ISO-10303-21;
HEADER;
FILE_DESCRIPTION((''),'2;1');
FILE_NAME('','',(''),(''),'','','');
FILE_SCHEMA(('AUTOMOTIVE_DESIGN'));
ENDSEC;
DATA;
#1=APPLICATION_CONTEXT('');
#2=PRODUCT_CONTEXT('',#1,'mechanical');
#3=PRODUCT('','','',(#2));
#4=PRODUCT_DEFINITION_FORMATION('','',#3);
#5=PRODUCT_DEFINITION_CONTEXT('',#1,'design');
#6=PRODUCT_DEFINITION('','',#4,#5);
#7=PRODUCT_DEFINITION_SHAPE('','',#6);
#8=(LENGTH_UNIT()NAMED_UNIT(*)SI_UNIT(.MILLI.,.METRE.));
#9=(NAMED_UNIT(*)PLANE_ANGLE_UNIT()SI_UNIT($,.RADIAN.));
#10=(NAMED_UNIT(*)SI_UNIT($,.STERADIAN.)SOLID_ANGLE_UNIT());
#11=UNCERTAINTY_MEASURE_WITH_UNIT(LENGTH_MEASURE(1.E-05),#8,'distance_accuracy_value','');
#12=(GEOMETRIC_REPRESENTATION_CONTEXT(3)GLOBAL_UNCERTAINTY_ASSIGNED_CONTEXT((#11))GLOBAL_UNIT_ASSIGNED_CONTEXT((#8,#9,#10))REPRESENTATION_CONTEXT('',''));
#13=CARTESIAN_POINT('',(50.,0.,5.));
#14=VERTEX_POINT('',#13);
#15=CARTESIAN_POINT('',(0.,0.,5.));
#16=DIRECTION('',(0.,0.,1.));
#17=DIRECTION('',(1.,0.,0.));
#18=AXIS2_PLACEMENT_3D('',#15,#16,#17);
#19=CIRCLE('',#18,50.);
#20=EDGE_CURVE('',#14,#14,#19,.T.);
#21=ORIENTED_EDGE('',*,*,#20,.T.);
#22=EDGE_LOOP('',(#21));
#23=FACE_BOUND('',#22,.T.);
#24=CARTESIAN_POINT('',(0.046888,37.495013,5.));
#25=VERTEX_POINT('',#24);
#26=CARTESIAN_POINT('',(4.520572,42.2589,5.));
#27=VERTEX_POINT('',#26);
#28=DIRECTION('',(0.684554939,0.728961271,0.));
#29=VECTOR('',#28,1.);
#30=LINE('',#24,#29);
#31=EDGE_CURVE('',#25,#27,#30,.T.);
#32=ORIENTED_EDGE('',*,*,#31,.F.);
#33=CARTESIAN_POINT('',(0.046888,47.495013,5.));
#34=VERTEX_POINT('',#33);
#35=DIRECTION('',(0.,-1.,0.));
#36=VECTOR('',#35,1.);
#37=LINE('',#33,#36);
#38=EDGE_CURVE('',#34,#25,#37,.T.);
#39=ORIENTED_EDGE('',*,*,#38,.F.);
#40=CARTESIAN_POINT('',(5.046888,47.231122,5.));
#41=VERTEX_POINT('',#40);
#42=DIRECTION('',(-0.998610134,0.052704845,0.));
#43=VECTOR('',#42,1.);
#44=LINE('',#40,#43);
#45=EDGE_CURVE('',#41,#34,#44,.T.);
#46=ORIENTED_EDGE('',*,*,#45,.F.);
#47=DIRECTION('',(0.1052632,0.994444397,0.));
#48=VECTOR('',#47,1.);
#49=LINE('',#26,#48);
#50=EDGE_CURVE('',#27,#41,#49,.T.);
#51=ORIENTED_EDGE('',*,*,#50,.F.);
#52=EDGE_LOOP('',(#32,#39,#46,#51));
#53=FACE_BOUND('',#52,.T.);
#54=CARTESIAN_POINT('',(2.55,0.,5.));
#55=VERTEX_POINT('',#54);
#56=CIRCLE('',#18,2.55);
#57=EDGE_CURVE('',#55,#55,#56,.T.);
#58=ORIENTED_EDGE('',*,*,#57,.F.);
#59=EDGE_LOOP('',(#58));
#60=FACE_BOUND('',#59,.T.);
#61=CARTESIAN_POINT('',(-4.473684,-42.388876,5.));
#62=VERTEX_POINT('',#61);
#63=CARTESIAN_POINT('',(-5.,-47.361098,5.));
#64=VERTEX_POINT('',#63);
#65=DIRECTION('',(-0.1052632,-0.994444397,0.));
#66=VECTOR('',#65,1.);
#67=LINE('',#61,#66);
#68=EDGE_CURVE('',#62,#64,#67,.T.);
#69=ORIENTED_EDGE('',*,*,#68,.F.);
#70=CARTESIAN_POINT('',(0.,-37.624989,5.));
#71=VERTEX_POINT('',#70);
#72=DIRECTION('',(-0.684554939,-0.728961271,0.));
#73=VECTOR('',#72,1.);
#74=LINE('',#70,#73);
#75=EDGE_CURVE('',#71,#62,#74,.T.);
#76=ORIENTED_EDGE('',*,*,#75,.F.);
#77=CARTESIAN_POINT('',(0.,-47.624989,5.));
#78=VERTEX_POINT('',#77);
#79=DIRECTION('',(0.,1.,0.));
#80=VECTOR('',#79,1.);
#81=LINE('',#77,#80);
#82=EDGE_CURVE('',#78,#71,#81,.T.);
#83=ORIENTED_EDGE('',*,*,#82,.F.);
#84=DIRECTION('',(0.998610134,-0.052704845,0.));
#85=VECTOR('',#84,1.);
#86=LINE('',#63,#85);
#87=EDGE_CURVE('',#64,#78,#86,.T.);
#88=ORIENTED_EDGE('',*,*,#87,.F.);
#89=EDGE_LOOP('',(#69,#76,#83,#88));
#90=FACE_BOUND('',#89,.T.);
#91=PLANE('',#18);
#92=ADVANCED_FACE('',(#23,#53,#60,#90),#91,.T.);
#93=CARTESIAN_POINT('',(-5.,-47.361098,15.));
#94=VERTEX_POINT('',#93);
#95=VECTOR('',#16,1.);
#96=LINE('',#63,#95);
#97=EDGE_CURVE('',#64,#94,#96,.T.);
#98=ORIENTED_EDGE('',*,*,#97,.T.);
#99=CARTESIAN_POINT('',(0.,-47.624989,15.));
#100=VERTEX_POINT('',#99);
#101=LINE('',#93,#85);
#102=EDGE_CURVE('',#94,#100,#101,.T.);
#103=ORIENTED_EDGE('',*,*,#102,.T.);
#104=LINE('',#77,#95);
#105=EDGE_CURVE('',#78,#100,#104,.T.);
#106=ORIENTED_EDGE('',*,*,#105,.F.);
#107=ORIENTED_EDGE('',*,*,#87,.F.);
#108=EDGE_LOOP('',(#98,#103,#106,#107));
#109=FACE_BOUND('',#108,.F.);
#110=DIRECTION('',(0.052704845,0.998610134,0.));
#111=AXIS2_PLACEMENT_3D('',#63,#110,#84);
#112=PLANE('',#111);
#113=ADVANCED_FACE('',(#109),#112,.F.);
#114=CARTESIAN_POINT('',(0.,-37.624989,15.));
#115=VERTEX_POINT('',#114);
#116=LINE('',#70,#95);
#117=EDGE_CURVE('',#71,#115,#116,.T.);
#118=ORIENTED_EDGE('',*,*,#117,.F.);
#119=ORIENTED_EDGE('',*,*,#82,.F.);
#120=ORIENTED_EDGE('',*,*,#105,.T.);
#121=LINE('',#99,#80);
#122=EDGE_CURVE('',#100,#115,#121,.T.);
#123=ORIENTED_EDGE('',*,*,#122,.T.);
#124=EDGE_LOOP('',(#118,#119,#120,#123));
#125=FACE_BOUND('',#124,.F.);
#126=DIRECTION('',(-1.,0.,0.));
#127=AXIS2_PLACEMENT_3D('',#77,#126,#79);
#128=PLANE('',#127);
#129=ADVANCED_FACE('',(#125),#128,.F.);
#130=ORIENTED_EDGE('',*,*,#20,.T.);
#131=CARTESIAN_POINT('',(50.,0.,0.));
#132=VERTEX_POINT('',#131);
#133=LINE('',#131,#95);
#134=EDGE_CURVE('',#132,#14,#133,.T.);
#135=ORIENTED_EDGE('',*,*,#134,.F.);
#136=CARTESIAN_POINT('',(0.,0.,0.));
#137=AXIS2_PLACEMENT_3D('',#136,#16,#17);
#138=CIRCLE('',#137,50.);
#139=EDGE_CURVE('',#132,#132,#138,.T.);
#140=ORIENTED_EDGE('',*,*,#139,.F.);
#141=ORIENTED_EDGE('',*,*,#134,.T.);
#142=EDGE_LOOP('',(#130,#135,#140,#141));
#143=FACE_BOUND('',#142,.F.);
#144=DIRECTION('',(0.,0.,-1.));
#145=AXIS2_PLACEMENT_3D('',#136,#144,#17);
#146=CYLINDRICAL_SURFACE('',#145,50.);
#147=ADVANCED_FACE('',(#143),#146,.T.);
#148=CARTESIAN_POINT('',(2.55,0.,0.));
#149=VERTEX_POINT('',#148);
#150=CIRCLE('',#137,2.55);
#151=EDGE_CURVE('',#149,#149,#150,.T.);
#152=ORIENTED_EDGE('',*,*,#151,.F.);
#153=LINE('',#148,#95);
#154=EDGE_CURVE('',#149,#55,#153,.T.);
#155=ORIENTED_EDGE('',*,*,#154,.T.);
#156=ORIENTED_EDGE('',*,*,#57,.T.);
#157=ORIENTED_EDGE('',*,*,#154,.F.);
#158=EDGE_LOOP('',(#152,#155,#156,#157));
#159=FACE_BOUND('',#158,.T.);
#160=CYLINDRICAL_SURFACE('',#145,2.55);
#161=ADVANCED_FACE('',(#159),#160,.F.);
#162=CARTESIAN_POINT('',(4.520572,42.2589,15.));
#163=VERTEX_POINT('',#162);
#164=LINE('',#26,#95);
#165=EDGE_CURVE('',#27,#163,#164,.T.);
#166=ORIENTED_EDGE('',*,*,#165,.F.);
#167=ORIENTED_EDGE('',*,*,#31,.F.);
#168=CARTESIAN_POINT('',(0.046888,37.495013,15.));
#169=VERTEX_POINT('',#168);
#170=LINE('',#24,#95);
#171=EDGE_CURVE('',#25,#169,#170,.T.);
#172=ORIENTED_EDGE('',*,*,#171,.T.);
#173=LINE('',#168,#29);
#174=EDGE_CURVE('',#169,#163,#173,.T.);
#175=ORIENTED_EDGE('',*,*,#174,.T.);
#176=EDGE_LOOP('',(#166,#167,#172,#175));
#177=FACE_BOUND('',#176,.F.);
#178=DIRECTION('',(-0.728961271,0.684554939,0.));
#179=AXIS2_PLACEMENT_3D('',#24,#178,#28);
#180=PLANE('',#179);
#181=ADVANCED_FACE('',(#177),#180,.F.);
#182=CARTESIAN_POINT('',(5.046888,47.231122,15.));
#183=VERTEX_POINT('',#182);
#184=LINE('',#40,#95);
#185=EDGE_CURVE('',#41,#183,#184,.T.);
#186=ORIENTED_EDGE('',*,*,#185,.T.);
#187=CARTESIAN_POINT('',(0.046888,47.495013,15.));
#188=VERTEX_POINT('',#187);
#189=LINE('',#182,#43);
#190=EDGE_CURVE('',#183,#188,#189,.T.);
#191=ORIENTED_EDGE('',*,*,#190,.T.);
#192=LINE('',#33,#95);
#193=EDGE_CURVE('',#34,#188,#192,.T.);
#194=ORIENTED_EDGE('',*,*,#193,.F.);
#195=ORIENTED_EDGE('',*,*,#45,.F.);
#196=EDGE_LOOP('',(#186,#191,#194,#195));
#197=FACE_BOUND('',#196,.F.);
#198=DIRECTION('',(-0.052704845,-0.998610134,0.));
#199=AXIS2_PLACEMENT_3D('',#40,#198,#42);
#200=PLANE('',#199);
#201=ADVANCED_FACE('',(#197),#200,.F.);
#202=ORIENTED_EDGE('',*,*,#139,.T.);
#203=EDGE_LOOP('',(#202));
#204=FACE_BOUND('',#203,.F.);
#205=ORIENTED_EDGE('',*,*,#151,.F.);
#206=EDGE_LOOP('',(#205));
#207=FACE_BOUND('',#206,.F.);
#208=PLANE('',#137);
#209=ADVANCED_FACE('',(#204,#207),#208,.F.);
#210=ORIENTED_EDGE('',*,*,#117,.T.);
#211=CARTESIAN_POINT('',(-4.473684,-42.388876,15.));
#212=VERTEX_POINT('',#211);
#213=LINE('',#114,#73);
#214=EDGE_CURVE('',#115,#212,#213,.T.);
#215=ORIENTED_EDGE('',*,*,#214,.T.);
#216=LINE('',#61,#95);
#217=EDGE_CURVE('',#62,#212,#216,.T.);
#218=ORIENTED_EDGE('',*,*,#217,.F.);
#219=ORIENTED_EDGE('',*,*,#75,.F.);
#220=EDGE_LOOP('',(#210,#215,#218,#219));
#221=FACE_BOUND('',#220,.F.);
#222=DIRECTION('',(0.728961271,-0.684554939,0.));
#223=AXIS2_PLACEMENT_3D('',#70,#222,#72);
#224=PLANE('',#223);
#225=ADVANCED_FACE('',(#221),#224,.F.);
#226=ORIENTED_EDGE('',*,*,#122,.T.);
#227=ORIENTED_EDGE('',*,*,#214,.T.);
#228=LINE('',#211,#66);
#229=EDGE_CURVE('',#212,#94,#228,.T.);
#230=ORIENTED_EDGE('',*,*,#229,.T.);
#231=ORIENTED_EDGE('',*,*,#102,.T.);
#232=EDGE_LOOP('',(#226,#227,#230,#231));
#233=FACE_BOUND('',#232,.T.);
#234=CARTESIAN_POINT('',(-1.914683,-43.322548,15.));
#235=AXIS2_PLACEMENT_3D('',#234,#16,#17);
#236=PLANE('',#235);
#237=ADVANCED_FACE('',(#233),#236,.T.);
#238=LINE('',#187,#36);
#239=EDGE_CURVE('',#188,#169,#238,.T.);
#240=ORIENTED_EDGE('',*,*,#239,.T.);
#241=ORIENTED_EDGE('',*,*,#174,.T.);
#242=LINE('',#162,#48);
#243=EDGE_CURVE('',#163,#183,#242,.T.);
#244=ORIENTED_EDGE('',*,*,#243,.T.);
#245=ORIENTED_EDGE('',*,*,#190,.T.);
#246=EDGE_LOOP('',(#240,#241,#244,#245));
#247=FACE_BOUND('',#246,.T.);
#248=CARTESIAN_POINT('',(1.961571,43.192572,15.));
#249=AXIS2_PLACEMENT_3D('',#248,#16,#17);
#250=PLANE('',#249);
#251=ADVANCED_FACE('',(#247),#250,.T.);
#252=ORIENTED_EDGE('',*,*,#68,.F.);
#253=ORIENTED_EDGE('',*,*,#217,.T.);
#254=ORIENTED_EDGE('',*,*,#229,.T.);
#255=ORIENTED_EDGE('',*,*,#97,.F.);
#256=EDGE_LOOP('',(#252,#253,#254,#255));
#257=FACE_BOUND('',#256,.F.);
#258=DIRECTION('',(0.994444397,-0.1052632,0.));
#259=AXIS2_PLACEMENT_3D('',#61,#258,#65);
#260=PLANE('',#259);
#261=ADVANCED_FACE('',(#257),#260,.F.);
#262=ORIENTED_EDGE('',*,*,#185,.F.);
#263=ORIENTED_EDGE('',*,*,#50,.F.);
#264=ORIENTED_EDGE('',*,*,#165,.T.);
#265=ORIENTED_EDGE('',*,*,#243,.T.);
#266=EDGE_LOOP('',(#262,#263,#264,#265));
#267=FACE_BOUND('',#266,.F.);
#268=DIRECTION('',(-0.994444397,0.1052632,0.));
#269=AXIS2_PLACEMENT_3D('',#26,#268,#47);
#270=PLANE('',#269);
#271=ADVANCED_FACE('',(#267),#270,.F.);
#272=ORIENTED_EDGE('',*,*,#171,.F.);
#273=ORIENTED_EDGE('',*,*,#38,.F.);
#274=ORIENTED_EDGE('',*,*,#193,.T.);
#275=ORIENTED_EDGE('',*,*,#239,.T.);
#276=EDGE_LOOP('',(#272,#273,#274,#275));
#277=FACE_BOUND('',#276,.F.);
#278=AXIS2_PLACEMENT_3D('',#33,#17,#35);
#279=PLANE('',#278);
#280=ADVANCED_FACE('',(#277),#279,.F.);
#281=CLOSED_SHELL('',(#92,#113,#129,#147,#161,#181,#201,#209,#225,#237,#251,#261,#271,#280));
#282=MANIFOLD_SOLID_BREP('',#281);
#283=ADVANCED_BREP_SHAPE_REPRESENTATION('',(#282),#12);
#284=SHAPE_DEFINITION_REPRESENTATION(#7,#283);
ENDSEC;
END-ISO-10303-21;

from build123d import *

# Parameters (mm, degrees)
F0_R     = 50
F0_R_2   = 2.55
F1_DEPTH = 5
F3_DEPTH = 10


with BuildPart() as f1:
    # F0 (on Top) → F1 (new body)
    with BuildSketch(Plane.XY):
        Circle(F0_R)
        Circle(F0_R_2, mode=Mode.SUBTRACT)
    extrude(amount=F1_DEPTH)

    # F2 (on face) → F3 (join)
    with BuildSketch(Plane.XY.offset(5)):
        Polygon((5.046888, 47.231122), (0.046888, 47.495013), (0.046888, 37.495013), (4.520572, 42.2589), align=None)
        Polygon((-5, -47.361098), (0, -47.624989), (0, -37.624989), (-4.473684, -42.388876), align=None)
    extrude(amount=F3_DEPTH)


solid = f1.part
